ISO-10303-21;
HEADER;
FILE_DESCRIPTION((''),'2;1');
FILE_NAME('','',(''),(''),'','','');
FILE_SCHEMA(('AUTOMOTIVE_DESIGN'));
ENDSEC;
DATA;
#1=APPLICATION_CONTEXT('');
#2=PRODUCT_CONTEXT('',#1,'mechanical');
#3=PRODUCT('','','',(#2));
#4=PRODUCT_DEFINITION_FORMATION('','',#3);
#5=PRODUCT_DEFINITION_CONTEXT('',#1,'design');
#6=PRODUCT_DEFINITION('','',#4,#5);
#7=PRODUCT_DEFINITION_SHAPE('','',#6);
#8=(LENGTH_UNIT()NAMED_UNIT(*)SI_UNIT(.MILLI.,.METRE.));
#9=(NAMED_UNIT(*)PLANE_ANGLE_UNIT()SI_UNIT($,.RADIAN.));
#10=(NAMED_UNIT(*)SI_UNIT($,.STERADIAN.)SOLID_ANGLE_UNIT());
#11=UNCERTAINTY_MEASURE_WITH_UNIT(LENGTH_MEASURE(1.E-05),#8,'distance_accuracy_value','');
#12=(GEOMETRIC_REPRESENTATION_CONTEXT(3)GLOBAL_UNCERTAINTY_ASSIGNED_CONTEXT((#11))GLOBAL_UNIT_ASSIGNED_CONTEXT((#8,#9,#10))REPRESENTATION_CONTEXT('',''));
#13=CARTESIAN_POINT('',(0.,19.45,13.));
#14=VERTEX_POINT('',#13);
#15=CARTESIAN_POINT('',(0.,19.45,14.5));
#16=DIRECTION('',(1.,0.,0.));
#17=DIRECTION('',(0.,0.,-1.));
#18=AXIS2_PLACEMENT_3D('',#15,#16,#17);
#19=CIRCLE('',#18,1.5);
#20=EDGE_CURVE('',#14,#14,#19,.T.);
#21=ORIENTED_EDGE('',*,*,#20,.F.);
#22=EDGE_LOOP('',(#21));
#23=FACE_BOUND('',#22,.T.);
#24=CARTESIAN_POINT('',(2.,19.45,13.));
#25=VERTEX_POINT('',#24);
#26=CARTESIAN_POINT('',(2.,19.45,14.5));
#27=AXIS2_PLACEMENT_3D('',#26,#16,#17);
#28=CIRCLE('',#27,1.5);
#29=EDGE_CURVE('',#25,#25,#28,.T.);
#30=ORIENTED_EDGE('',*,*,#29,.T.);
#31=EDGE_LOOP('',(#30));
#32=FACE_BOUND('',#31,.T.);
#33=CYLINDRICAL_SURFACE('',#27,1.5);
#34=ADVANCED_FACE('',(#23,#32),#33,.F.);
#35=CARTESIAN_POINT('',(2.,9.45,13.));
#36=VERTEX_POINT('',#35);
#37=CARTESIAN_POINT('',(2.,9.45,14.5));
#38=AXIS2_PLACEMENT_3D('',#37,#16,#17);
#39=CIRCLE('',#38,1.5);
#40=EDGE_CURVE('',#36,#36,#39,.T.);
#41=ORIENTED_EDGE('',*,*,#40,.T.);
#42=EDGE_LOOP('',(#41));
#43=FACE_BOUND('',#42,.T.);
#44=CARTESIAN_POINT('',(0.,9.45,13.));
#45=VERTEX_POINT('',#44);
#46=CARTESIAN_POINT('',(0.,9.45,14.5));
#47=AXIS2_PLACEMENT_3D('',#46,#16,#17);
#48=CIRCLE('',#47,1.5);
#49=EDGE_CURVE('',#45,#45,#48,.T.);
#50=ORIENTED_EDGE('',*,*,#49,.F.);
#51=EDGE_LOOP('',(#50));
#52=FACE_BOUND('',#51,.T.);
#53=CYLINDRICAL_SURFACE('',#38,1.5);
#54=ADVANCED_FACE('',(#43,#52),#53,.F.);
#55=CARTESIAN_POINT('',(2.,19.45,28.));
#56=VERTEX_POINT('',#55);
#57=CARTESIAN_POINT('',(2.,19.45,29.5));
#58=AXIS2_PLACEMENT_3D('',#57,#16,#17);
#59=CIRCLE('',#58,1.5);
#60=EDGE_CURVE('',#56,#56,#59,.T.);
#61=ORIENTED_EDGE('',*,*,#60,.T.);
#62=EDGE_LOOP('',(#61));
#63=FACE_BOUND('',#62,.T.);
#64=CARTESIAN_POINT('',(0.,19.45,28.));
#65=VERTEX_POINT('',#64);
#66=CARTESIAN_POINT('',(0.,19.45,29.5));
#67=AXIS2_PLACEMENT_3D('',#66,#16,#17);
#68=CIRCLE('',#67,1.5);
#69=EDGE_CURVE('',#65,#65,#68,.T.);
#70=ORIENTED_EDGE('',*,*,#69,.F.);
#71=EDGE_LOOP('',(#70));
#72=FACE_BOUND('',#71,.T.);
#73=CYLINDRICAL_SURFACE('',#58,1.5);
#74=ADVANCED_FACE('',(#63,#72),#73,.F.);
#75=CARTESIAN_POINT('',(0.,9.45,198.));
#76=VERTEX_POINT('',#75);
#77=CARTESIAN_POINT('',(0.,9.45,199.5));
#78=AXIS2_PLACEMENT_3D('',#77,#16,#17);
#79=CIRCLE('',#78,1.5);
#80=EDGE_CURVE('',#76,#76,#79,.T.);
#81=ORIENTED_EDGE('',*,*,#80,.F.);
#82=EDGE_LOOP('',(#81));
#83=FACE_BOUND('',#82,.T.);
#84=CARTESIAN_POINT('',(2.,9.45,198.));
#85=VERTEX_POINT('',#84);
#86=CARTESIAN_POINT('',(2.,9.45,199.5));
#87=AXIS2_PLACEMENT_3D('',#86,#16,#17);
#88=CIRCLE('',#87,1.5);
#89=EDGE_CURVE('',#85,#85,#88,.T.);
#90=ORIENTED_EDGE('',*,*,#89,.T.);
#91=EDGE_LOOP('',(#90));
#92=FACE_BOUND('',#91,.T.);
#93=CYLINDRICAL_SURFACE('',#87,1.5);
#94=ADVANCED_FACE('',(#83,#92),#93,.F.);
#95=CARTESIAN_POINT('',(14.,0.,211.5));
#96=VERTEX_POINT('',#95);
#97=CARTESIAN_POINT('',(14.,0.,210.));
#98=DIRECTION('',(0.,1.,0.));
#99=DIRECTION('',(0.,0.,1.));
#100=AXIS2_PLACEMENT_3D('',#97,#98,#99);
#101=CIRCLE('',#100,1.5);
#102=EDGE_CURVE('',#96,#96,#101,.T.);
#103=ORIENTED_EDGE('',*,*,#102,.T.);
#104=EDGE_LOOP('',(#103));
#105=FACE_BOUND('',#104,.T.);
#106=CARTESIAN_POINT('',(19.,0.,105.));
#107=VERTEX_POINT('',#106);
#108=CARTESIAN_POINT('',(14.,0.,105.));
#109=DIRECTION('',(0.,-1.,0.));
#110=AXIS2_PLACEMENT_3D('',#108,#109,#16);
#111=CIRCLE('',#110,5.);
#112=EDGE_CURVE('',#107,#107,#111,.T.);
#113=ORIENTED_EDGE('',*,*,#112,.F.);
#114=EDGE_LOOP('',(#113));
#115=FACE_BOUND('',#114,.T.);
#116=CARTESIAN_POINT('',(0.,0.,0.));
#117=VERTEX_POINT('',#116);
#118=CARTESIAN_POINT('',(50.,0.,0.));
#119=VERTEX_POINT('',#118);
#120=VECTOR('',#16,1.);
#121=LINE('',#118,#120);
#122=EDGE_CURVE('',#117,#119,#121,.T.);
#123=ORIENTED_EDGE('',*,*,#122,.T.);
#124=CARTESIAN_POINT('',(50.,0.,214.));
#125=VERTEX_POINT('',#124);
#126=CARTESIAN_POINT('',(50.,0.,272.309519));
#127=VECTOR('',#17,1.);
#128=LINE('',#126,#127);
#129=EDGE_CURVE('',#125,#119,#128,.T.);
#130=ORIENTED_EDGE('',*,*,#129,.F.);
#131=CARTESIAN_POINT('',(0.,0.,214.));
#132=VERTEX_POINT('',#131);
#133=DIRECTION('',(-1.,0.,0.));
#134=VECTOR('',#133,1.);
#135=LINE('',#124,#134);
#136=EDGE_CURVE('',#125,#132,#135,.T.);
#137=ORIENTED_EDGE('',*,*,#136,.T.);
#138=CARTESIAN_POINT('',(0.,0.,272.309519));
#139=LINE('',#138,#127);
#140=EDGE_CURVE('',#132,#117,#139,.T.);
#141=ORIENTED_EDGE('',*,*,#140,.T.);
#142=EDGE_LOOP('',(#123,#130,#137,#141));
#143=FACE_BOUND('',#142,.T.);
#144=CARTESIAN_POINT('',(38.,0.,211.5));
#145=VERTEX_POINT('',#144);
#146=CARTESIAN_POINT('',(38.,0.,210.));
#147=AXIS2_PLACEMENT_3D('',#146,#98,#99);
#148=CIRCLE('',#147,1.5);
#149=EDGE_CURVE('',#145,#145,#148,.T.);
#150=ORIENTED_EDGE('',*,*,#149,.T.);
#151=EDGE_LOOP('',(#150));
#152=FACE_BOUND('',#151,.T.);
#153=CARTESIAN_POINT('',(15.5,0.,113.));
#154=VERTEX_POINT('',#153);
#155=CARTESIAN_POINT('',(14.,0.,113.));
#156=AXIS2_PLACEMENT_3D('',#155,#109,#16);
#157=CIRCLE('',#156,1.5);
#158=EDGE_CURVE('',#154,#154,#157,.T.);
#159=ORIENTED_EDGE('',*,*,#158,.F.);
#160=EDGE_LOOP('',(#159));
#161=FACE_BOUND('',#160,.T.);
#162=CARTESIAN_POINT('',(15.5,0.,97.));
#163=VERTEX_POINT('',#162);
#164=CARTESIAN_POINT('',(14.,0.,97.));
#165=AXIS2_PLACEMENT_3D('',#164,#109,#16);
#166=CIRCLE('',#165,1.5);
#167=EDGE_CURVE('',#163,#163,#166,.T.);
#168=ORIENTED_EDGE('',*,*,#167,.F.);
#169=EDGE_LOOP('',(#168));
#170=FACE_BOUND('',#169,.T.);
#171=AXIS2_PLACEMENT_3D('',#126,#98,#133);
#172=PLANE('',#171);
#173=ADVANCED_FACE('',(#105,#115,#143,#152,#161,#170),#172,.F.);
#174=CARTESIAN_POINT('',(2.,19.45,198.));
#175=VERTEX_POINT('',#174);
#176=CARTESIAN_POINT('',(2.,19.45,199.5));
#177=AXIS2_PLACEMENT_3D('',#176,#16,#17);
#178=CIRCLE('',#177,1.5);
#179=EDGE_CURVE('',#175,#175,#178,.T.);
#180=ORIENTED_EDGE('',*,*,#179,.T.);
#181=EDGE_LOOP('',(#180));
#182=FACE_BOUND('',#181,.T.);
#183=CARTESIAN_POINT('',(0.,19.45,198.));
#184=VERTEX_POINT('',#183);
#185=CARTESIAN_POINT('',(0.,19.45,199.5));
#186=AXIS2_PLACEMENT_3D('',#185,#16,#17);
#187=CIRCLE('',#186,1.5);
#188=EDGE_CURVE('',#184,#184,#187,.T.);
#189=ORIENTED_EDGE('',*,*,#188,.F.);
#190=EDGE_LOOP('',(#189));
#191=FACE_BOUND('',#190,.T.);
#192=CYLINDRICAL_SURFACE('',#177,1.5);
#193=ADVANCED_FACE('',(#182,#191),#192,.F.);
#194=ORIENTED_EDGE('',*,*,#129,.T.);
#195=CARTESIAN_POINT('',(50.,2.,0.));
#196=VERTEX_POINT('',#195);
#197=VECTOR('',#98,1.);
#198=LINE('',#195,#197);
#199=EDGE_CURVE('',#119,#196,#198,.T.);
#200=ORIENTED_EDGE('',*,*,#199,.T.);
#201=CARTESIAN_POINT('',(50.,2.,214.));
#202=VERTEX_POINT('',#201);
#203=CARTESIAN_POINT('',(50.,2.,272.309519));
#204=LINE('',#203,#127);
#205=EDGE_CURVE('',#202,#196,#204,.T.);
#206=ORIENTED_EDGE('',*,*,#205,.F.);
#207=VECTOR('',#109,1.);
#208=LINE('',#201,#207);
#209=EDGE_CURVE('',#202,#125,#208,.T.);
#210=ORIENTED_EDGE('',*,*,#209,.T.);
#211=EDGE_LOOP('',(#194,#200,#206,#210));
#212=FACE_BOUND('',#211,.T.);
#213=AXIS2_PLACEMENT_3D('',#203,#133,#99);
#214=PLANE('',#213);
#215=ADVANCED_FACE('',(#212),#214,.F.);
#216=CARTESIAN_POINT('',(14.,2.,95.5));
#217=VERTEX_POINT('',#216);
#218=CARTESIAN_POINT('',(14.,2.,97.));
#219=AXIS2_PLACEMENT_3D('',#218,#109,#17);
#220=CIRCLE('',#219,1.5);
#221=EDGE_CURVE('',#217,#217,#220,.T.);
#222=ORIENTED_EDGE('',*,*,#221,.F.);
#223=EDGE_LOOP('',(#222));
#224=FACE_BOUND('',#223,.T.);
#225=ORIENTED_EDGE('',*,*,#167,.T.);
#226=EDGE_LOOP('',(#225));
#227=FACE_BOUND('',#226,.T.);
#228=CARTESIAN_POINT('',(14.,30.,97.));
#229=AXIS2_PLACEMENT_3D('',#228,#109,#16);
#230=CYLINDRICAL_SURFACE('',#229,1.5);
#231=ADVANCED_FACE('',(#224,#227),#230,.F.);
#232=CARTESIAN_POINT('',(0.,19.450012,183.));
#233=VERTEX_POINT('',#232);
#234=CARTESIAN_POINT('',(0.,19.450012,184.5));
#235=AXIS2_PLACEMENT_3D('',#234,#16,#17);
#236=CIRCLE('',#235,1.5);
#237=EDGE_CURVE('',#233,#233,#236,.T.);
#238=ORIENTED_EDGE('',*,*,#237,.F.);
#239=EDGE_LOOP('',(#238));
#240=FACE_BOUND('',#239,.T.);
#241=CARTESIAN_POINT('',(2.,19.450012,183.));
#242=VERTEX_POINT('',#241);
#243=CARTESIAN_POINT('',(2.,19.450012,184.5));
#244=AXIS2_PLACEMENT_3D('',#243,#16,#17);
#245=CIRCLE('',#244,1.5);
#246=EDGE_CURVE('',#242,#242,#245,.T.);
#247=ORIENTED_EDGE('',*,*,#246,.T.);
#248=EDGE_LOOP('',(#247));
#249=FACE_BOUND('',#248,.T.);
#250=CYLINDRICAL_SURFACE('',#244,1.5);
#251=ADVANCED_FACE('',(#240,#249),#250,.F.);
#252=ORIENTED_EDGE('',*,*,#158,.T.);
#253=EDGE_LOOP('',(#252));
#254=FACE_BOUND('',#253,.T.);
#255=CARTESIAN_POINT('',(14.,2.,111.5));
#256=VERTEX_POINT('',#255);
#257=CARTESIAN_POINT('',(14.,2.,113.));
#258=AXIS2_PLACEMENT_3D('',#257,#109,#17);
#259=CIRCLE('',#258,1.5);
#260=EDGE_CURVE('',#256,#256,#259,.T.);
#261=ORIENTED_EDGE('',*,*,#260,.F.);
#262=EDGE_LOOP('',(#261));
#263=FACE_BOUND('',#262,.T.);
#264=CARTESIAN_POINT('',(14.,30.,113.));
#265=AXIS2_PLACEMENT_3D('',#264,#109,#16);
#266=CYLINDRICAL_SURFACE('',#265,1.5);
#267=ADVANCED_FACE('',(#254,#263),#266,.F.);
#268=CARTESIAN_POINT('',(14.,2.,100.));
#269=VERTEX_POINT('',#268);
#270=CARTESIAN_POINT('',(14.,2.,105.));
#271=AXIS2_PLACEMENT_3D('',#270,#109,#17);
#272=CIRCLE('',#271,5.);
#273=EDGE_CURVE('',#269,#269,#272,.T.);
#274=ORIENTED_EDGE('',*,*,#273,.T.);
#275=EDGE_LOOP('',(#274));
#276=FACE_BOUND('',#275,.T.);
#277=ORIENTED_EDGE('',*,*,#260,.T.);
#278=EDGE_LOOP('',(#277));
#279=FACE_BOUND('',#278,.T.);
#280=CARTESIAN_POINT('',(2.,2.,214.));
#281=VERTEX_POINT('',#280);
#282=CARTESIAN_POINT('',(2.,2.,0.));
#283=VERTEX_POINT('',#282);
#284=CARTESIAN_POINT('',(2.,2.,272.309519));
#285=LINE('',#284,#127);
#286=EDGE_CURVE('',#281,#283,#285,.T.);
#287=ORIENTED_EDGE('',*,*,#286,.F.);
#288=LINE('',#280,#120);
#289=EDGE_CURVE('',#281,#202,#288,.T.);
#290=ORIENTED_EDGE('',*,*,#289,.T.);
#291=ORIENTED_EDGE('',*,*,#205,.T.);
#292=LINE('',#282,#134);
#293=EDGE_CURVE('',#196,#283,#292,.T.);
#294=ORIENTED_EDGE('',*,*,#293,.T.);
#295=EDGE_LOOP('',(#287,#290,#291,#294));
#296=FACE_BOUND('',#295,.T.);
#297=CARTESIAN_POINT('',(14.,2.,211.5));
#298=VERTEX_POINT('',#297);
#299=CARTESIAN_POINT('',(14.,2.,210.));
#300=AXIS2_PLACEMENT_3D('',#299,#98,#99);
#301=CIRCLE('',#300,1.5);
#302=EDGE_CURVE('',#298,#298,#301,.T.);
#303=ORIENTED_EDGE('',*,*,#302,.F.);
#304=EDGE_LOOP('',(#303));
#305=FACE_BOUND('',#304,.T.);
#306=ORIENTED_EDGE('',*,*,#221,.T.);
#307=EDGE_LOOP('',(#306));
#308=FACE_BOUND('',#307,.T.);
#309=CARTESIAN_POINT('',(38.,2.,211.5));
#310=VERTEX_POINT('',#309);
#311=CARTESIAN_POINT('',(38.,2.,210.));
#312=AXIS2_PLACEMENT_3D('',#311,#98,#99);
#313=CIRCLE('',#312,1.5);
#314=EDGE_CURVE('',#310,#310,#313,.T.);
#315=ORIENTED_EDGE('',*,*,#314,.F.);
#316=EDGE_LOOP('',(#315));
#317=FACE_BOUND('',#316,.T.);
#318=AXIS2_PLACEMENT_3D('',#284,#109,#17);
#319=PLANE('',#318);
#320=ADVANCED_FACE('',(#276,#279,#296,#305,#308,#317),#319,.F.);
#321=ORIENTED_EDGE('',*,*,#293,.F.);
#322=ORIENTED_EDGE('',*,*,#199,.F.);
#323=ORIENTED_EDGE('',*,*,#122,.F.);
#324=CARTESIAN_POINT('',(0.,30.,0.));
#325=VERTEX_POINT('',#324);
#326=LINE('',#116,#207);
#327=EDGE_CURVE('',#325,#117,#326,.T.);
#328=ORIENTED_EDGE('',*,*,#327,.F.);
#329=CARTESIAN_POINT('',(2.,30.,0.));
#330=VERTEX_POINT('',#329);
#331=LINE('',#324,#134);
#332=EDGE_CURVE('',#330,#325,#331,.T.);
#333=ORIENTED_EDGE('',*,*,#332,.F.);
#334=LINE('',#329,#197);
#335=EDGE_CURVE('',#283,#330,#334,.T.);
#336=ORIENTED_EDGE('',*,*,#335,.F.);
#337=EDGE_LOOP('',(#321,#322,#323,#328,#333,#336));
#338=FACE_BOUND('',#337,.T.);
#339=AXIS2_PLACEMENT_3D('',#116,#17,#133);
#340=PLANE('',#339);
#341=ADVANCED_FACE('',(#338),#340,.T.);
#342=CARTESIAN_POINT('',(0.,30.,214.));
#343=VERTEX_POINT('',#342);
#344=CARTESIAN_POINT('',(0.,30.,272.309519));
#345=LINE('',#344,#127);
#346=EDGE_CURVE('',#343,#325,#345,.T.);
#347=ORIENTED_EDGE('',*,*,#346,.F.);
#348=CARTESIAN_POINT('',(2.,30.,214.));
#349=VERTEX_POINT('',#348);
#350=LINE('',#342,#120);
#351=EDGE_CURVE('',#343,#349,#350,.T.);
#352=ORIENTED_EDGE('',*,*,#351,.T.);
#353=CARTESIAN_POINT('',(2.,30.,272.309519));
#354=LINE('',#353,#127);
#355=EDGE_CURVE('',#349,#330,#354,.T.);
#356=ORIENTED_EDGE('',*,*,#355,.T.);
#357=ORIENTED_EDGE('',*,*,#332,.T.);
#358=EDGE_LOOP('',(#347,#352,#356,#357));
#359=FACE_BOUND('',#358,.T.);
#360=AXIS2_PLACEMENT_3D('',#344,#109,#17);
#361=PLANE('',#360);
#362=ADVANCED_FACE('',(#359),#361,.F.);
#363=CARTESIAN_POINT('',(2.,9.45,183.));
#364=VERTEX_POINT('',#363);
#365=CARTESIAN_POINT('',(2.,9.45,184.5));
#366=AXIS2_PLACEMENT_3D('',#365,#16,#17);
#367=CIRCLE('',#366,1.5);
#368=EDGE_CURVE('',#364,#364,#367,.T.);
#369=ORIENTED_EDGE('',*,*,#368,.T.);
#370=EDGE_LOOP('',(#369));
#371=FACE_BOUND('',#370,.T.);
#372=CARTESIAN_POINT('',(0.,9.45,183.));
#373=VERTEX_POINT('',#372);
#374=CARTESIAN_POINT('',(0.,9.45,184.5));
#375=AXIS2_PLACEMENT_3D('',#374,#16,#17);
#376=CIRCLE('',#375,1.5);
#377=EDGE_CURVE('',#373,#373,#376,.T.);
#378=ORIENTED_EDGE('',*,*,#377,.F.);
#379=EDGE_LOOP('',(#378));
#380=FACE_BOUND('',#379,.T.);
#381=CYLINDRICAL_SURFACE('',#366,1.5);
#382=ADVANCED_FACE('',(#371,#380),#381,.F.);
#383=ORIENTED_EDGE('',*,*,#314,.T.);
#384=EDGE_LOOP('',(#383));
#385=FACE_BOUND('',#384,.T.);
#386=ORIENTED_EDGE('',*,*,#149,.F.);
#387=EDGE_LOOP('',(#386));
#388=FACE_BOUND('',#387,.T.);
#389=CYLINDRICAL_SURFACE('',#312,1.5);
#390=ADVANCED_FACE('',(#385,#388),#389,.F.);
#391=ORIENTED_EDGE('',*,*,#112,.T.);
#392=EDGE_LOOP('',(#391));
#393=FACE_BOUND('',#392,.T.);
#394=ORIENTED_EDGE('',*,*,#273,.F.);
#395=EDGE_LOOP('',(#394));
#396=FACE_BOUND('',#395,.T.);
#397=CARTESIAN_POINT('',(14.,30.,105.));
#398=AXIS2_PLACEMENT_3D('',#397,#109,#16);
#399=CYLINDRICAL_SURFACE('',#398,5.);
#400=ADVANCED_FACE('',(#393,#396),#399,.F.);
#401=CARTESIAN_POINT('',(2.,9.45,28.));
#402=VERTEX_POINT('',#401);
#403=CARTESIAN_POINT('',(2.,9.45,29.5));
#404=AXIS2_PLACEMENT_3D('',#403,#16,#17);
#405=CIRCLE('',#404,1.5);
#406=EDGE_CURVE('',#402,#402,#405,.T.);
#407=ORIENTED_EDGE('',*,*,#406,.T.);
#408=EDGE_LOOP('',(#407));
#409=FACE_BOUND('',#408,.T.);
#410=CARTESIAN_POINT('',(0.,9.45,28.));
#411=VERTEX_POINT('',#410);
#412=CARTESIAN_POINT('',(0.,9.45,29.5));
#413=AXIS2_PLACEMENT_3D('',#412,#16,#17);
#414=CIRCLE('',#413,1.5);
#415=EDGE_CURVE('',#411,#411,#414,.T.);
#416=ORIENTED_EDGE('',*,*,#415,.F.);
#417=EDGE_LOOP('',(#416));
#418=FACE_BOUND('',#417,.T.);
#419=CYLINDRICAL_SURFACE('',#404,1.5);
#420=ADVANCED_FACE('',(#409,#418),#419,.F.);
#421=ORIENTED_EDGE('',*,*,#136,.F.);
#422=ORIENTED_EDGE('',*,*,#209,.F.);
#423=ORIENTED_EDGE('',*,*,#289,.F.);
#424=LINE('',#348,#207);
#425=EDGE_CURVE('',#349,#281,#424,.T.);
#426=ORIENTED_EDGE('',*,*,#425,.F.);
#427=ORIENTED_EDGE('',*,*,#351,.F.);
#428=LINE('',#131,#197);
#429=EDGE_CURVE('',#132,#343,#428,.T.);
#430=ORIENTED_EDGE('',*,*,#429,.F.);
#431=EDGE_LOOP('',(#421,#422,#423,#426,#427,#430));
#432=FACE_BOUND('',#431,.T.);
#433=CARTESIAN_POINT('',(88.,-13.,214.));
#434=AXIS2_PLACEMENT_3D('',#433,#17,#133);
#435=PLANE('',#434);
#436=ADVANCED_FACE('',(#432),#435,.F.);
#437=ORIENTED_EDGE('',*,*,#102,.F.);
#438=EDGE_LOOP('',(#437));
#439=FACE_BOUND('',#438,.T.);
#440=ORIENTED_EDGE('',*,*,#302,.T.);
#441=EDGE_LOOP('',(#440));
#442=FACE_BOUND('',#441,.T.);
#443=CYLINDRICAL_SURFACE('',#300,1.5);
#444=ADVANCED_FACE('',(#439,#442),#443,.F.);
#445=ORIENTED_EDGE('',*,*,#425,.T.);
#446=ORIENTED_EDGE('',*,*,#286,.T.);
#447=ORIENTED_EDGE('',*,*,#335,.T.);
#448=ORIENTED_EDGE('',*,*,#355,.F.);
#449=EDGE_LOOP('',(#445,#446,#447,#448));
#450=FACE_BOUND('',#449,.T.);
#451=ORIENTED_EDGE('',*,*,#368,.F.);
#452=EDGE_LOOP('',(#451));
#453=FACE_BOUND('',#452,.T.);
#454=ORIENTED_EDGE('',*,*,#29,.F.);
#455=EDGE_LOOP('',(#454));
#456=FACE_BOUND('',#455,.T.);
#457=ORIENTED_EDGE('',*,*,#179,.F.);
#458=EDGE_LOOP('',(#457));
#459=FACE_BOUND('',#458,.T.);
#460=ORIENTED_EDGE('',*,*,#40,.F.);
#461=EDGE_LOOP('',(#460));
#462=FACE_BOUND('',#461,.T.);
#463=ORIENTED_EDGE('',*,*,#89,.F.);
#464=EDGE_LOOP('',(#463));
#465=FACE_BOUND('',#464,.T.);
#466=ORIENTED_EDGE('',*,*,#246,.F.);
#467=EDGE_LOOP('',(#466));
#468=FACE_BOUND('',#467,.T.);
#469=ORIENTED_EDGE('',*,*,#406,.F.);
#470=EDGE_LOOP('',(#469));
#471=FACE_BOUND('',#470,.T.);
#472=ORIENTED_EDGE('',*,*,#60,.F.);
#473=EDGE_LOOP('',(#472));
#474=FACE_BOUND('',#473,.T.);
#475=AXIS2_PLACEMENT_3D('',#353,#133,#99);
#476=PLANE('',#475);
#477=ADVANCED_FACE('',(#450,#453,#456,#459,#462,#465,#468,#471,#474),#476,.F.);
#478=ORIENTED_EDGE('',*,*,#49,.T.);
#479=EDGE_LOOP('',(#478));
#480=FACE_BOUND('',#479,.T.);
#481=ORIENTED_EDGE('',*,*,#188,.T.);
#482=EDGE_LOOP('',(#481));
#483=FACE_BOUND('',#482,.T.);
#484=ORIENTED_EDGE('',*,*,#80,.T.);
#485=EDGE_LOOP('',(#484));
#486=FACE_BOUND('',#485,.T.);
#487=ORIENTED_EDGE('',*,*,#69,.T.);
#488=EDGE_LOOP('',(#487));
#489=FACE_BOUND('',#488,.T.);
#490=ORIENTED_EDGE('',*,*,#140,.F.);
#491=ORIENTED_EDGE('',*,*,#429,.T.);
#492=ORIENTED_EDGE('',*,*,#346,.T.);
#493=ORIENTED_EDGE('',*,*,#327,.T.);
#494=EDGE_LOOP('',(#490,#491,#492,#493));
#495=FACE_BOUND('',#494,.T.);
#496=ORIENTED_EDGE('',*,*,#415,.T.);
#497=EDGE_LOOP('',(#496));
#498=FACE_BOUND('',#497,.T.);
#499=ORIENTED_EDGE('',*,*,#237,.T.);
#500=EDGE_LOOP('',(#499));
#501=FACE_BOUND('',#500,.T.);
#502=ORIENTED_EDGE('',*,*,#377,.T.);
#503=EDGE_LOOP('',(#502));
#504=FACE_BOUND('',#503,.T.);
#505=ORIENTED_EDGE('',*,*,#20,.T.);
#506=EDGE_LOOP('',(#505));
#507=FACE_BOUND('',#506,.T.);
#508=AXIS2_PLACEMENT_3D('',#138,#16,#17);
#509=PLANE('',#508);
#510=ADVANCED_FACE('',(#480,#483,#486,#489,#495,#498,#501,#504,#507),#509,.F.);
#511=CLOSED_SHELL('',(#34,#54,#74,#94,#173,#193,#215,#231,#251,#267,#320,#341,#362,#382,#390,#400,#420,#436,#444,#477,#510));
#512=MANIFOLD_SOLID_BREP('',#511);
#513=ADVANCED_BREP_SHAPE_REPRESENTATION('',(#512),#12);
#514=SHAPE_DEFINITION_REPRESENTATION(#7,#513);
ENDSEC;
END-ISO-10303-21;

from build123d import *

# Parameters (mm, degrees)
BOSS_EXTRUDE1_DEPTH      = 214
SKETCH2_R                = 5
CUT_EXTRUDE1_DEPTH       = 222.801713249
SKETCH4_R                = 1.500000001
CUT_EXTRUDE3_DEPTH       = 222.801713249
F_3_0_3_DIAMETER_HOLE1_D = 3
F_3_0_3_DIAMETER_HOLE2_D = 3


with BuildPart() as part:
    # Sketch1 → Boss-Extrude1 (new body)
    with BuildSketch(Plane.XY):
        Polygon((0, 0), (0, 30), (2, 30), (2, 2), (50, 2), (50, 0), align=None)
    extrude(amount=BOSS_EXTRUDE1_DEPTH)

    # Sketch2 → Cut-Extrude1 (cut, through all)
    with BuildSketch(Plane.XZ):
        with Locations((14, 105)):
            Circle(SKETCH2_R)
    extrude(amount=-CUT_EXTRUDE1_DEPTH, mode=Mode.SUBTRACT)

    # Sketch4 → Cut-Extrude3 (cut, through all)
    with BuildSketch(Plane(origin=(0, 0, 0), x_dir=(-1, 0, 0), z_dir=(0, -1, 0))):
        with Locations(Location((-14.000000126, -112.999999976, 0), (0, 0, 180))):
            Circle(SKETCH4_R)
        with Locations(Location((-14.000000126, -96.999999976, 0), (0, 0, 180))):
            Circle(SKETCH4_R)
    extrude(amount=-CUT_EXTRUDE3_DEPTH, mode=Mode.SUBTRACT)

    # Ø3.0 (3) Diameter Hole1 (through all)
    with Locations(Plane(origin=(2, 0, 0), x_dir=(0, 0, -1), z_dir=(1, 0, 0))):
        with Locations((-199.5, 9.45), (-199.5, 19.45), (-184.5, 19.450012476), (-184.5, 9.45), (-29.5, 19.45), (-29.5, 9.45), (-14.5, 9.45), (-14.5, 19.45)):
            Hole(F_3_0_3_DIAMETER_HOLE1_D / 2)

    # Ø3.0 (3) Diameter Hole2 (through all)
    with Locations(Plane(origin=(-23.407632793, 2, 151.138003919), x_dir=(0, 0, 1), z_dir=(0, 1, 0))):
        with Locations((58.861996081, 61.407632793), (58.861996081, 37.407632793)):
            Hole(F_3_0_3_DIAMETER_HOLE2_D / 2)


solid = part.part
